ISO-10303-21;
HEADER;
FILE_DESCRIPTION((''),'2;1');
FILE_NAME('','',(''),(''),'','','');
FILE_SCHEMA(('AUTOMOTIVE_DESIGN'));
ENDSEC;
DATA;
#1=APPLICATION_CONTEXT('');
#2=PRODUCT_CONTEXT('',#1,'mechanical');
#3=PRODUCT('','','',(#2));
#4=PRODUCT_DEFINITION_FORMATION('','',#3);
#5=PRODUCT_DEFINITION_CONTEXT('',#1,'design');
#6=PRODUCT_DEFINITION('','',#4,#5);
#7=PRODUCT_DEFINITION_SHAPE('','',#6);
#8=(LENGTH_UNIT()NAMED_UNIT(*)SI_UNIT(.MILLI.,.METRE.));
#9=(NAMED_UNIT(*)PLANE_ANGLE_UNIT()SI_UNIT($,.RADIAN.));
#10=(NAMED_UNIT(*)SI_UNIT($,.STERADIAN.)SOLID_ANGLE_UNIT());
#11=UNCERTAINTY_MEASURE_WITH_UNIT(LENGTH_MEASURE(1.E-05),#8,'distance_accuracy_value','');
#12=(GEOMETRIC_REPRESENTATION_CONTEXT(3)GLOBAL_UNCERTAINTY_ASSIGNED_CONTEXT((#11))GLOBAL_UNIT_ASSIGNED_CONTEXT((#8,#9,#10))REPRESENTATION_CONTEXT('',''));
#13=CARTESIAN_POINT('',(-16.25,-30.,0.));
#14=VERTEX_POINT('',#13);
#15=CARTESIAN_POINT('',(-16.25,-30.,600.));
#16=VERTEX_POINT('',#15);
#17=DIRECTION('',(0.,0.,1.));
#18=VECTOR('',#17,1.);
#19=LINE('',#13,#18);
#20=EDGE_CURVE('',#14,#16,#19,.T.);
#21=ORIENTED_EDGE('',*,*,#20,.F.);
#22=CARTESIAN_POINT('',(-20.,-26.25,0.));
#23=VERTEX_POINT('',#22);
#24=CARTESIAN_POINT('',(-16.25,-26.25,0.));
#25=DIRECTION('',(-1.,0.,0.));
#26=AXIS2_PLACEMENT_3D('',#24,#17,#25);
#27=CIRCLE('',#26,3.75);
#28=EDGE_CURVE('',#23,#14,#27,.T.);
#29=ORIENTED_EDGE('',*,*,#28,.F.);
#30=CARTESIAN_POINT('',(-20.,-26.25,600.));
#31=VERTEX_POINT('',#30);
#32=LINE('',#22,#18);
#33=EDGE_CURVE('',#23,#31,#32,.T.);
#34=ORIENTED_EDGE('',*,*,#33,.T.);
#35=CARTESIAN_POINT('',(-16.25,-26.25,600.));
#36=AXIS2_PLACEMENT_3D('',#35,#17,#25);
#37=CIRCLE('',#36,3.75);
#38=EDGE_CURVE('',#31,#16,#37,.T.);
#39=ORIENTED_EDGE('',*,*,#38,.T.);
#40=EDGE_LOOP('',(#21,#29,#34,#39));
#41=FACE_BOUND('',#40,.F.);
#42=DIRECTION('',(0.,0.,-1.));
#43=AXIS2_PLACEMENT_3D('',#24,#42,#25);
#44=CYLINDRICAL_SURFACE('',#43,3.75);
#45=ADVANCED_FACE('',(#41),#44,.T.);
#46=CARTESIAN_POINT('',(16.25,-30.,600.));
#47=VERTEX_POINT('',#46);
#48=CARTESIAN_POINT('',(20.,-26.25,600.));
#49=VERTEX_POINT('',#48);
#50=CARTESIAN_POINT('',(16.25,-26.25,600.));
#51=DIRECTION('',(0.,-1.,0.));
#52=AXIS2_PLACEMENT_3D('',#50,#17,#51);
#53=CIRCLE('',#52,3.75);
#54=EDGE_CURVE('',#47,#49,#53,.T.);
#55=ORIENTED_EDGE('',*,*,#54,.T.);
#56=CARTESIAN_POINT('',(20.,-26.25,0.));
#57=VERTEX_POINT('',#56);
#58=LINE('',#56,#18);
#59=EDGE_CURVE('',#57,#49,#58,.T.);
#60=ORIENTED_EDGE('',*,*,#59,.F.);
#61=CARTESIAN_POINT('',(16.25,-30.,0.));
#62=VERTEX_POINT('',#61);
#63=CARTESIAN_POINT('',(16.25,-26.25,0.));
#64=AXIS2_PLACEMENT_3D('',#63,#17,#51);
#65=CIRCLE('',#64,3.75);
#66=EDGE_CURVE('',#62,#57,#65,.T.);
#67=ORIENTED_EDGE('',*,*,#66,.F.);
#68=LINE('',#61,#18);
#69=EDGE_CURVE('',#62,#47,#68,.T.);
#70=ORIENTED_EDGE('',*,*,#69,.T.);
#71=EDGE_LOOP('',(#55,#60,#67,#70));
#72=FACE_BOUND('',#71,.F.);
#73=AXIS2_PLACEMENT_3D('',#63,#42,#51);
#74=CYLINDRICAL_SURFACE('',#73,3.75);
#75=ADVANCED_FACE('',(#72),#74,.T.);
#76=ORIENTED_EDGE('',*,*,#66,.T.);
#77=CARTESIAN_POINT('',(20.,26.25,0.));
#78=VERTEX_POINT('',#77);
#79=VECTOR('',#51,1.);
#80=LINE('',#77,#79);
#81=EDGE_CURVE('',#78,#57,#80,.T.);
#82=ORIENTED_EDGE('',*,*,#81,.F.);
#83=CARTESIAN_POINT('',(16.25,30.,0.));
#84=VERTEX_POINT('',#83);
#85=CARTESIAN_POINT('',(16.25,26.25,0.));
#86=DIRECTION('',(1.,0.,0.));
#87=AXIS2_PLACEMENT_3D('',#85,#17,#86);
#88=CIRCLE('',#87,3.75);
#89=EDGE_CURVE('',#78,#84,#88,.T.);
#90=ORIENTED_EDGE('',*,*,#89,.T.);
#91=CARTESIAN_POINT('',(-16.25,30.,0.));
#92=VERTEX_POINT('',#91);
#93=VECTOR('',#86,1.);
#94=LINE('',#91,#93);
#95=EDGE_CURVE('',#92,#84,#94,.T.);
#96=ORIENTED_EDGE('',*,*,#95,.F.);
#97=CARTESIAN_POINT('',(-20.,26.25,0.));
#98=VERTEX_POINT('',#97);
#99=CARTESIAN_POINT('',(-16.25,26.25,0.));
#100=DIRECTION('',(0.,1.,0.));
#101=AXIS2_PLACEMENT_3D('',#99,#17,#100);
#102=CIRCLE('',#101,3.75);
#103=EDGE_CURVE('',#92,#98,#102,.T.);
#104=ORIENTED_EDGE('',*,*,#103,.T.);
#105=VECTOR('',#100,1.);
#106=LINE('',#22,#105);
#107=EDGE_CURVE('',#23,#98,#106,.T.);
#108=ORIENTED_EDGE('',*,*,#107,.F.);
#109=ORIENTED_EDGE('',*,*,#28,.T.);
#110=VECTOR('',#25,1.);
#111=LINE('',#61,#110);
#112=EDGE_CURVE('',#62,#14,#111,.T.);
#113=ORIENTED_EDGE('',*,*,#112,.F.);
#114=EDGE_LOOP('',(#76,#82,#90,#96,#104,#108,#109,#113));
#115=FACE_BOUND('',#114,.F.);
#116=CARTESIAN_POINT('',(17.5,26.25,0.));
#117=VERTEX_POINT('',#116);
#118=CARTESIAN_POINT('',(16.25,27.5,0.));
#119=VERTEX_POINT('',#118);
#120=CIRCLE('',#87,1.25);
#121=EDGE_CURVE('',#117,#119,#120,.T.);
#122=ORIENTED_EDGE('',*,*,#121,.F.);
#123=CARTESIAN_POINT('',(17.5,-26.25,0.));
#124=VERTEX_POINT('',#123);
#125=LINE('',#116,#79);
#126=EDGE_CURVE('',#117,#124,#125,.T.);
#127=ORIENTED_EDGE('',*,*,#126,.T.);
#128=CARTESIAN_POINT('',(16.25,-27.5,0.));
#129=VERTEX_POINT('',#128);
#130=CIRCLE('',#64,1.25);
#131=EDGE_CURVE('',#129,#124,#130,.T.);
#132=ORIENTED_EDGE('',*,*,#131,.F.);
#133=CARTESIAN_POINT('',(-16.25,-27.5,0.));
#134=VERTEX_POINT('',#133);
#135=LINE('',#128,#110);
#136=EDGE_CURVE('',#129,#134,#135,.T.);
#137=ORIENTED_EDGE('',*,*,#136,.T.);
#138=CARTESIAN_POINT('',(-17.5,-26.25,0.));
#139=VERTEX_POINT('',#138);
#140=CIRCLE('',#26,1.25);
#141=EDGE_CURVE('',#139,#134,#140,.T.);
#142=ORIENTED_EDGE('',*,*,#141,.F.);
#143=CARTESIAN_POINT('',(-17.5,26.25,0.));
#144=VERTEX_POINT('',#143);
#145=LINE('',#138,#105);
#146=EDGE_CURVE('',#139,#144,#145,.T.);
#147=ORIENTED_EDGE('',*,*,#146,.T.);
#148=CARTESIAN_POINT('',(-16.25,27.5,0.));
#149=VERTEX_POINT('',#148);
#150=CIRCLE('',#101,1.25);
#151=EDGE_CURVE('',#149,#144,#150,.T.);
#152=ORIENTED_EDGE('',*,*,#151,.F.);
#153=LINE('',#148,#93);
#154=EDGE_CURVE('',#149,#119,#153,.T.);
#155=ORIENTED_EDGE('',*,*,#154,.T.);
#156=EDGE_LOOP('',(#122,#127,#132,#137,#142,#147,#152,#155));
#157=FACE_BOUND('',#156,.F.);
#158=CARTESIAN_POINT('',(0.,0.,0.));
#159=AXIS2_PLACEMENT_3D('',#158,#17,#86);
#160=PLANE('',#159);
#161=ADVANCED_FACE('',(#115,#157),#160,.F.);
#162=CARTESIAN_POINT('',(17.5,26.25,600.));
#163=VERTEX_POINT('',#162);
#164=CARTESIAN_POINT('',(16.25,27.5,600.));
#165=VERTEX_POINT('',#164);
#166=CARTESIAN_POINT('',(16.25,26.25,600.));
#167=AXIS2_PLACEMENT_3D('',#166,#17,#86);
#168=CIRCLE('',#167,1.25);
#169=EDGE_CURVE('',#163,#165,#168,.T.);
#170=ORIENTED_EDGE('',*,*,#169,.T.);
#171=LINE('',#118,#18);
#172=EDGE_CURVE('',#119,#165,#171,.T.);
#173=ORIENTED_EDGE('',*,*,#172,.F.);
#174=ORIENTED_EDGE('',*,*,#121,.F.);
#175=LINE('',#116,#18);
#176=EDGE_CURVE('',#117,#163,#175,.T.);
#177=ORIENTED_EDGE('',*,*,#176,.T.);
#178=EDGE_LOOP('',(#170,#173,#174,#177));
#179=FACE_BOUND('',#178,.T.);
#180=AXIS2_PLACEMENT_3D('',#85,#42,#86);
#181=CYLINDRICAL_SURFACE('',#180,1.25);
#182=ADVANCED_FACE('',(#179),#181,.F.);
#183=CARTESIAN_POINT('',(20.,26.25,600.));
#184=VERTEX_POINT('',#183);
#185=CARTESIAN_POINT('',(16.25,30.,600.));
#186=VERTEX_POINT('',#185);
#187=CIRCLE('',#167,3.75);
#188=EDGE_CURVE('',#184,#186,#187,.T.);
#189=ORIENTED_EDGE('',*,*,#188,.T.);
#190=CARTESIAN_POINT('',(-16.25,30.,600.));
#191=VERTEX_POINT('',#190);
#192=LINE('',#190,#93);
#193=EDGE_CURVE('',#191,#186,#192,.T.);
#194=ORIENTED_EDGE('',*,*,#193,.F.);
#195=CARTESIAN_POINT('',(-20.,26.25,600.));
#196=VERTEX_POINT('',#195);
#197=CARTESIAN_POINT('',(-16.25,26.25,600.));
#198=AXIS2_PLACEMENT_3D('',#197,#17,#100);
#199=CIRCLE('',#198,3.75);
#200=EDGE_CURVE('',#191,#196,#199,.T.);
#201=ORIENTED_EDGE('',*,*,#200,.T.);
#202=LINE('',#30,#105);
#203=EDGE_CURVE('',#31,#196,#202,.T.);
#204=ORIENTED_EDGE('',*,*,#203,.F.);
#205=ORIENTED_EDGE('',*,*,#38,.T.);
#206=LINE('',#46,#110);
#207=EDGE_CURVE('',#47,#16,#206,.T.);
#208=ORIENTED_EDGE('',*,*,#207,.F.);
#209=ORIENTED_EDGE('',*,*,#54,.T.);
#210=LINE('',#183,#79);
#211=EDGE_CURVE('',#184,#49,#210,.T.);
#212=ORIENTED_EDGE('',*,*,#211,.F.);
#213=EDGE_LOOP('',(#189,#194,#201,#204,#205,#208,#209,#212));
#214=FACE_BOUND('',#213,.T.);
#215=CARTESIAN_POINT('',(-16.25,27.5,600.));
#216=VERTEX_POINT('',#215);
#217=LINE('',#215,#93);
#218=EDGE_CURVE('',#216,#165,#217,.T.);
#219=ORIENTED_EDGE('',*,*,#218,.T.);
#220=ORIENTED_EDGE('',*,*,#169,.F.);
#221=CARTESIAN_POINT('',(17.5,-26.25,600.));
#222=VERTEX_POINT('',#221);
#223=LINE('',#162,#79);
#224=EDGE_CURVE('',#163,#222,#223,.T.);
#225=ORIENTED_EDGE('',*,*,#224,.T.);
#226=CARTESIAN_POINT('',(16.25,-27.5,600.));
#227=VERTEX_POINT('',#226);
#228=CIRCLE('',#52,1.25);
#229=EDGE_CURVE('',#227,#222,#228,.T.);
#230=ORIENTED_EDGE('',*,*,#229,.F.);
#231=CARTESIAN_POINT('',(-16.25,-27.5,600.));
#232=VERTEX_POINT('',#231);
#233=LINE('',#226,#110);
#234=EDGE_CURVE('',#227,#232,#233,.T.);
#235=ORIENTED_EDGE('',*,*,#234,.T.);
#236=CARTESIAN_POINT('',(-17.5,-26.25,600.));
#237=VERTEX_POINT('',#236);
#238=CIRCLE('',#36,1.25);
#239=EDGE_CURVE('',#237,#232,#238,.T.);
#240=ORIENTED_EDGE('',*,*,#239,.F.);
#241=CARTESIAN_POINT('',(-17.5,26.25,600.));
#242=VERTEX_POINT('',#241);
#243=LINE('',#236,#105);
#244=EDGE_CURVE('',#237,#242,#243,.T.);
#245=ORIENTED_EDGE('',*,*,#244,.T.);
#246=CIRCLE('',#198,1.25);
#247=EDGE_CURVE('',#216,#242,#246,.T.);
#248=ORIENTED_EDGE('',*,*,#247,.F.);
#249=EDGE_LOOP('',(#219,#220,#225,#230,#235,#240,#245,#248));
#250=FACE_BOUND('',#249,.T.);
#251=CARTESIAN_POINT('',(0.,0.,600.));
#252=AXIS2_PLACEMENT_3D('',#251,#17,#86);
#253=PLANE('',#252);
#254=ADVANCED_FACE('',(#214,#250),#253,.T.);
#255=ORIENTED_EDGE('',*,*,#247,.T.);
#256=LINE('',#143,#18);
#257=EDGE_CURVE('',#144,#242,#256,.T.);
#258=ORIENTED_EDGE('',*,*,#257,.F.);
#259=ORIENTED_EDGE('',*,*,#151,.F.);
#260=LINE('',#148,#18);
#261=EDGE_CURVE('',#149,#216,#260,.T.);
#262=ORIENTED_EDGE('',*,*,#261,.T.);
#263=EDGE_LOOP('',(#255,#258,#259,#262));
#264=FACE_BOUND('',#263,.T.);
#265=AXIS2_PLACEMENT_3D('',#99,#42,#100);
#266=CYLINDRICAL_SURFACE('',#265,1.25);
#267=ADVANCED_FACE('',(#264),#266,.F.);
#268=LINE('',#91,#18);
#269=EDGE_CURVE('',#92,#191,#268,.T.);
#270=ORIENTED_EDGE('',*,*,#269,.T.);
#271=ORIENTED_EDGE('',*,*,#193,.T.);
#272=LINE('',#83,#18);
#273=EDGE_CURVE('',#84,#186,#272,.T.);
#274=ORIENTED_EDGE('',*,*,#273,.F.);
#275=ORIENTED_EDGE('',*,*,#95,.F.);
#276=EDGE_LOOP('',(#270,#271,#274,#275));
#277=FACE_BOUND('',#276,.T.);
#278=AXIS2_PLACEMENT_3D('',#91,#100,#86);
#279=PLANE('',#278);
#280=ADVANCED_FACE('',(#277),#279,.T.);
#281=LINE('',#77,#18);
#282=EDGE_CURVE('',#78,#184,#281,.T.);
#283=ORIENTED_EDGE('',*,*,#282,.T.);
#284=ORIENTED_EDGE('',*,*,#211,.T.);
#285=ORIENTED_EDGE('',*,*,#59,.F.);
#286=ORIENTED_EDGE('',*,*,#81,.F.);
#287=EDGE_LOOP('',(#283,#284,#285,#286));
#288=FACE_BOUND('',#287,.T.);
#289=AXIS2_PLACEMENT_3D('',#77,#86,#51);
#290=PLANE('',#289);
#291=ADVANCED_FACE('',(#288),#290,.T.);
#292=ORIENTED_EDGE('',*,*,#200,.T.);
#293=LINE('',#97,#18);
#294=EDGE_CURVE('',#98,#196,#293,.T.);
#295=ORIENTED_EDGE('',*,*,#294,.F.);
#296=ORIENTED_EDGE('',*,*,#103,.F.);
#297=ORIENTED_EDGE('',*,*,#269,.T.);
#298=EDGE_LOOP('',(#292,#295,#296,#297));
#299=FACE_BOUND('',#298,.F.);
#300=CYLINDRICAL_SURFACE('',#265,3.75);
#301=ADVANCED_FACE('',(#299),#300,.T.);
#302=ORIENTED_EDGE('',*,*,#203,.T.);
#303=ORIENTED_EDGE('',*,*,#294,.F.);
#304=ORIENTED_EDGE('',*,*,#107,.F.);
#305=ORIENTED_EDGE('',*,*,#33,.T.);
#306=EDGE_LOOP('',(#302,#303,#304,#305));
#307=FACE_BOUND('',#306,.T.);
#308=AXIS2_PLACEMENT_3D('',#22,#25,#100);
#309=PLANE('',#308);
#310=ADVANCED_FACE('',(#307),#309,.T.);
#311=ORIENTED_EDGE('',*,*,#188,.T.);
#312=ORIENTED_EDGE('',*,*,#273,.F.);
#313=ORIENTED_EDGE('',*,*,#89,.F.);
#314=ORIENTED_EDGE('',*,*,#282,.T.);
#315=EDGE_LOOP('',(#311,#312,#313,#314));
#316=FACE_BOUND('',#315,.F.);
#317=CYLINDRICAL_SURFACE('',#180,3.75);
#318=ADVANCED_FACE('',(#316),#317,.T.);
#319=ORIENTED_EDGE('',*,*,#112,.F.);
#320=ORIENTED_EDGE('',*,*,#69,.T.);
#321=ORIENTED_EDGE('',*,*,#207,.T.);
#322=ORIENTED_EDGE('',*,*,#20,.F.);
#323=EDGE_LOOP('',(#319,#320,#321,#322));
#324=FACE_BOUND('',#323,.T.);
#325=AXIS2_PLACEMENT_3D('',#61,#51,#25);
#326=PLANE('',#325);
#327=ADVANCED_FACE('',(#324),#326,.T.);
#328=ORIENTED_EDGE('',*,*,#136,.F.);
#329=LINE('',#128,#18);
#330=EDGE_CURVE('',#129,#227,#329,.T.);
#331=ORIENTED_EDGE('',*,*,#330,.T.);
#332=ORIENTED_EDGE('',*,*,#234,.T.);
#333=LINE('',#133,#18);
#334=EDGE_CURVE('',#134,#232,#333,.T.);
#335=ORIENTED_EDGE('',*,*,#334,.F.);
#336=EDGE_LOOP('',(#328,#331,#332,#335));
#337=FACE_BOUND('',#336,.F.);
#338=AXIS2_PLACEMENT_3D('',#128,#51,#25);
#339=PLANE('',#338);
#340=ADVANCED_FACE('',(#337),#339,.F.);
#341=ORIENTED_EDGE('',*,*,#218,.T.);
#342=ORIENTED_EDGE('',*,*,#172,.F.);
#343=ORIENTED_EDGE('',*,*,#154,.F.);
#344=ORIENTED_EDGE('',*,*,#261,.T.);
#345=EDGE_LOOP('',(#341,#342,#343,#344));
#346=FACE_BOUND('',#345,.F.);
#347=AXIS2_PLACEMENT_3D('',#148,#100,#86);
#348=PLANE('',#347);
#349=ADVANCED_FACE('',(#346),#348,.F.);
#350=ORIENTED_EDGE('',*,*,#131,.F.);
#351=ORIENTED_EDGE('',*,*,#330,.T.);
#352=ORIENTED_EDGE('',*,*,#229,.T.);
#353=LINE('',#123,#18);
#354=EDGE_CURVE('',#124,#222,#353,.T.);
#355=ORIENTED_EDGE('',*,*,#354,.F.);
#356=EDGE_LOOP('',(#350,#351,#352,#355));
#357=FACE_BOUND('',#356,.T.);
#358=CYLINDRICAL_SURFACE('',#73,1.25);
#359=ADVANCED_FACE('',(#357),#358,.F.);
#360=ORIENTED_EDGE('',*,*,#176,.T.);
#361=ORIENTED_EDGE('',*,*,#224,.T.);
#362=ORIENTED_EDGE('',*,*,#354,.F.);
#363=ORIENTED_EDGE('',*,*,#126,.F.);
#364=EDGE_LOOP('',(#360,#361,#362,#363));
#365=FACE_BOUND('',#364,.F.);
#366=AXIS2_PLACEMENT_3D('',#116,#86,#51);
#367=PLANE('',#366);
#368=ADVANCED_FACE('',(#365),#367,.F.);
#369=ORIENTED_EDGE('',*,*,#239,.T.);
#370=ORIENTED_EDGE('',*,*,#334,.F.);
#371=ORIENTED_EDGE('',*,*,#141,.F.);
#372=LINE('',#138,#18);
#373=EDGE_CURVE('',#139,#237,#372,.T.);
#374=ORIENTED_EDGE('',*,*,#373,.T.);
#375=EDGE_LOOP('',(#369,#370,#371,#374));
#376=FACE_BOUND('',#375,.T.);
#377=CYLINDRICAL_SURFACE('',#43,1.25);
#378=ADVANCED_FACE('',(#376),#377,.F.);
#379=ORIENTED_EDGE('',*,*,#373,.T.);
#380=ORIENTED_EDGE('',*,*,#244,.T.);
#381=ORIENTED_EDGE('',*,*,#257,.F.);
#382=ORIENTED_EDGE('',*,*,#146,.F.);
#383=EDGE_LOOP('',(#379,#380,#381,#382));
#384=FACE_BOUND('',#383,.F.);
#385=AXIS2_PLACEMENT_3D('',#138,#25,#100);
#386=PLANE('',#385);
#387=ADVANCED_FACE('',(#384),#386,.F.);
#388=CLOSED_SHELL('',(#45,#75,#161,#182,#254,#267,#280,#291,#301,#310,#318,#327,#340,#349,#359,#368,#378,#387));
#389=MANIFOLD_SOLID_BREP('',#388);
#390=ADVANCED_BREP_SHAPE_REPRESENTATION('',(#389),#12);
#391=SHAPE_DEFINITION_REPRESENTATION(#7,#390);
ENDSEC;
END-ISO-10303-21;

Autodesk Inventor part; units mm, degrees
ref_plane "YZ Plane" through (0, 0, 0) normal (1, 0, 0) x (0, 1, 0)
ref_plane "Start plane" through (0, 0, 0) normal (0, 0, 1) x (1, 0, 0)
ref_plane "End plane" through (0, 0, 600) normal (0, 0, 1) x (1, 0, 0)
sketch "Sketch" plane through (0, 0, 0) normal (0, 0, 1) x (1, 0, 0)
  line L0 (-20, -26.25) -> (-20, 26.25)
  line L1 (-16.25, 30) -> (16.25, 30)
  line L2 (20, 26.25) -> (20, -26.25)
  line L3 (16.25, -30) -> (-16.25, -30)
  arc A0 (-20, -26.25) -> (-16.25, -30) centre (-16.25, -26.25) ccw
  arc A1 (-16.25, 30) -> (-20, 26.25) centre (-16.25, 26.25) ccw
  arc A2 (20, 26.25) -> (16.25, 30) centre (16.25, 26.25) ccw
  arc A3 (16.25, -30) -> (20, -26.25) centre (16.25, -26.25) ccw
  arc A4 (-16.25, 27.5) -> (-17.5, 26.25) centre (-16.25, 26.25) ccw
  line L4 (-16.25, 27.5) -> (16.25, 27.5)
  arc A5 (17.5, 26.25) -> (16.25, 27.5) centre (16.25, 26.25) ccw
  line L5 (17.5, 26.25) -> (17.5, -26.25)
  arc A6 (16.25, -27.5) -> (17.5, -26.25) centre (16.25, -26.25) ccw
  line L6 (16.25, -27.5) -> (-16.25, -27.5)
  arc A7 (-17.5, -26.25) -> (-16.25, -27.5) centre (-16.25, -26.25) ccw
  line L7 (-17.5, -26.25) -> (-17.5, 26.25)
  line L8 (0, 43.0873) -> (0, -43.0873) construction
  line L9 (-29.0873, 0) -> (29.0873, 0) construction
  dimension "d7" = 3.75
  dimension "d10" = 60
  dimension "d11" = 40
  dimension "d12" = 2.5
  dimension "d15" = 30
  dimension "d16" = 20
extrude "Body" add sketch "Sketch" along normal up to surface (600 mm away) from surface at 0
sketch "Sketch3" plane through (0, 0, 0) normal (0, 0, 1) x (1, 0, 0)
  line L0 (0, 0) -> (10, 0)
ref_plane "Work Plane3" through (0, 0, 0) normal (0, -1, 0) x (1, 0, 0)
sketch "Sketch4" plane through (0, 0, 0) normal (0, -1, 0) x (1, 0, 0)
  line L0 (-2, 0) -> (12, 0)
  line L1 (-2, 600) -> (12, 600)
  dimension "d18" = 600
equation "\"d7\" = G_IR"
equation "\"d10\" = G_H"
equation "\"d11\" = G_W"
equation "\"d12\" = G_T"
equation "\"d15\" = 0.5 * d10"
equation "\"d16\" = 0.5 * d11"
equation "\"d3\" = G_L"
equation "\"G_W\" = 40"
equation "\"G_H\" = 60"
equation "\"G_T\" = 2.5"
equation "\"G_IR\" = 3.75"
equation "\"G_L\" = d18"
equation "\"G_OFFSET_START\" = 0"
equation "\"G_OFFSET_END\" = 0"
equation "\"d14\" = G_OFFSET_END + B_L"
equation "\"B_L\" = 600"
properties part number "ISO 657/14 - 60x40x2.5 - 600" material "Steel, Mild"
